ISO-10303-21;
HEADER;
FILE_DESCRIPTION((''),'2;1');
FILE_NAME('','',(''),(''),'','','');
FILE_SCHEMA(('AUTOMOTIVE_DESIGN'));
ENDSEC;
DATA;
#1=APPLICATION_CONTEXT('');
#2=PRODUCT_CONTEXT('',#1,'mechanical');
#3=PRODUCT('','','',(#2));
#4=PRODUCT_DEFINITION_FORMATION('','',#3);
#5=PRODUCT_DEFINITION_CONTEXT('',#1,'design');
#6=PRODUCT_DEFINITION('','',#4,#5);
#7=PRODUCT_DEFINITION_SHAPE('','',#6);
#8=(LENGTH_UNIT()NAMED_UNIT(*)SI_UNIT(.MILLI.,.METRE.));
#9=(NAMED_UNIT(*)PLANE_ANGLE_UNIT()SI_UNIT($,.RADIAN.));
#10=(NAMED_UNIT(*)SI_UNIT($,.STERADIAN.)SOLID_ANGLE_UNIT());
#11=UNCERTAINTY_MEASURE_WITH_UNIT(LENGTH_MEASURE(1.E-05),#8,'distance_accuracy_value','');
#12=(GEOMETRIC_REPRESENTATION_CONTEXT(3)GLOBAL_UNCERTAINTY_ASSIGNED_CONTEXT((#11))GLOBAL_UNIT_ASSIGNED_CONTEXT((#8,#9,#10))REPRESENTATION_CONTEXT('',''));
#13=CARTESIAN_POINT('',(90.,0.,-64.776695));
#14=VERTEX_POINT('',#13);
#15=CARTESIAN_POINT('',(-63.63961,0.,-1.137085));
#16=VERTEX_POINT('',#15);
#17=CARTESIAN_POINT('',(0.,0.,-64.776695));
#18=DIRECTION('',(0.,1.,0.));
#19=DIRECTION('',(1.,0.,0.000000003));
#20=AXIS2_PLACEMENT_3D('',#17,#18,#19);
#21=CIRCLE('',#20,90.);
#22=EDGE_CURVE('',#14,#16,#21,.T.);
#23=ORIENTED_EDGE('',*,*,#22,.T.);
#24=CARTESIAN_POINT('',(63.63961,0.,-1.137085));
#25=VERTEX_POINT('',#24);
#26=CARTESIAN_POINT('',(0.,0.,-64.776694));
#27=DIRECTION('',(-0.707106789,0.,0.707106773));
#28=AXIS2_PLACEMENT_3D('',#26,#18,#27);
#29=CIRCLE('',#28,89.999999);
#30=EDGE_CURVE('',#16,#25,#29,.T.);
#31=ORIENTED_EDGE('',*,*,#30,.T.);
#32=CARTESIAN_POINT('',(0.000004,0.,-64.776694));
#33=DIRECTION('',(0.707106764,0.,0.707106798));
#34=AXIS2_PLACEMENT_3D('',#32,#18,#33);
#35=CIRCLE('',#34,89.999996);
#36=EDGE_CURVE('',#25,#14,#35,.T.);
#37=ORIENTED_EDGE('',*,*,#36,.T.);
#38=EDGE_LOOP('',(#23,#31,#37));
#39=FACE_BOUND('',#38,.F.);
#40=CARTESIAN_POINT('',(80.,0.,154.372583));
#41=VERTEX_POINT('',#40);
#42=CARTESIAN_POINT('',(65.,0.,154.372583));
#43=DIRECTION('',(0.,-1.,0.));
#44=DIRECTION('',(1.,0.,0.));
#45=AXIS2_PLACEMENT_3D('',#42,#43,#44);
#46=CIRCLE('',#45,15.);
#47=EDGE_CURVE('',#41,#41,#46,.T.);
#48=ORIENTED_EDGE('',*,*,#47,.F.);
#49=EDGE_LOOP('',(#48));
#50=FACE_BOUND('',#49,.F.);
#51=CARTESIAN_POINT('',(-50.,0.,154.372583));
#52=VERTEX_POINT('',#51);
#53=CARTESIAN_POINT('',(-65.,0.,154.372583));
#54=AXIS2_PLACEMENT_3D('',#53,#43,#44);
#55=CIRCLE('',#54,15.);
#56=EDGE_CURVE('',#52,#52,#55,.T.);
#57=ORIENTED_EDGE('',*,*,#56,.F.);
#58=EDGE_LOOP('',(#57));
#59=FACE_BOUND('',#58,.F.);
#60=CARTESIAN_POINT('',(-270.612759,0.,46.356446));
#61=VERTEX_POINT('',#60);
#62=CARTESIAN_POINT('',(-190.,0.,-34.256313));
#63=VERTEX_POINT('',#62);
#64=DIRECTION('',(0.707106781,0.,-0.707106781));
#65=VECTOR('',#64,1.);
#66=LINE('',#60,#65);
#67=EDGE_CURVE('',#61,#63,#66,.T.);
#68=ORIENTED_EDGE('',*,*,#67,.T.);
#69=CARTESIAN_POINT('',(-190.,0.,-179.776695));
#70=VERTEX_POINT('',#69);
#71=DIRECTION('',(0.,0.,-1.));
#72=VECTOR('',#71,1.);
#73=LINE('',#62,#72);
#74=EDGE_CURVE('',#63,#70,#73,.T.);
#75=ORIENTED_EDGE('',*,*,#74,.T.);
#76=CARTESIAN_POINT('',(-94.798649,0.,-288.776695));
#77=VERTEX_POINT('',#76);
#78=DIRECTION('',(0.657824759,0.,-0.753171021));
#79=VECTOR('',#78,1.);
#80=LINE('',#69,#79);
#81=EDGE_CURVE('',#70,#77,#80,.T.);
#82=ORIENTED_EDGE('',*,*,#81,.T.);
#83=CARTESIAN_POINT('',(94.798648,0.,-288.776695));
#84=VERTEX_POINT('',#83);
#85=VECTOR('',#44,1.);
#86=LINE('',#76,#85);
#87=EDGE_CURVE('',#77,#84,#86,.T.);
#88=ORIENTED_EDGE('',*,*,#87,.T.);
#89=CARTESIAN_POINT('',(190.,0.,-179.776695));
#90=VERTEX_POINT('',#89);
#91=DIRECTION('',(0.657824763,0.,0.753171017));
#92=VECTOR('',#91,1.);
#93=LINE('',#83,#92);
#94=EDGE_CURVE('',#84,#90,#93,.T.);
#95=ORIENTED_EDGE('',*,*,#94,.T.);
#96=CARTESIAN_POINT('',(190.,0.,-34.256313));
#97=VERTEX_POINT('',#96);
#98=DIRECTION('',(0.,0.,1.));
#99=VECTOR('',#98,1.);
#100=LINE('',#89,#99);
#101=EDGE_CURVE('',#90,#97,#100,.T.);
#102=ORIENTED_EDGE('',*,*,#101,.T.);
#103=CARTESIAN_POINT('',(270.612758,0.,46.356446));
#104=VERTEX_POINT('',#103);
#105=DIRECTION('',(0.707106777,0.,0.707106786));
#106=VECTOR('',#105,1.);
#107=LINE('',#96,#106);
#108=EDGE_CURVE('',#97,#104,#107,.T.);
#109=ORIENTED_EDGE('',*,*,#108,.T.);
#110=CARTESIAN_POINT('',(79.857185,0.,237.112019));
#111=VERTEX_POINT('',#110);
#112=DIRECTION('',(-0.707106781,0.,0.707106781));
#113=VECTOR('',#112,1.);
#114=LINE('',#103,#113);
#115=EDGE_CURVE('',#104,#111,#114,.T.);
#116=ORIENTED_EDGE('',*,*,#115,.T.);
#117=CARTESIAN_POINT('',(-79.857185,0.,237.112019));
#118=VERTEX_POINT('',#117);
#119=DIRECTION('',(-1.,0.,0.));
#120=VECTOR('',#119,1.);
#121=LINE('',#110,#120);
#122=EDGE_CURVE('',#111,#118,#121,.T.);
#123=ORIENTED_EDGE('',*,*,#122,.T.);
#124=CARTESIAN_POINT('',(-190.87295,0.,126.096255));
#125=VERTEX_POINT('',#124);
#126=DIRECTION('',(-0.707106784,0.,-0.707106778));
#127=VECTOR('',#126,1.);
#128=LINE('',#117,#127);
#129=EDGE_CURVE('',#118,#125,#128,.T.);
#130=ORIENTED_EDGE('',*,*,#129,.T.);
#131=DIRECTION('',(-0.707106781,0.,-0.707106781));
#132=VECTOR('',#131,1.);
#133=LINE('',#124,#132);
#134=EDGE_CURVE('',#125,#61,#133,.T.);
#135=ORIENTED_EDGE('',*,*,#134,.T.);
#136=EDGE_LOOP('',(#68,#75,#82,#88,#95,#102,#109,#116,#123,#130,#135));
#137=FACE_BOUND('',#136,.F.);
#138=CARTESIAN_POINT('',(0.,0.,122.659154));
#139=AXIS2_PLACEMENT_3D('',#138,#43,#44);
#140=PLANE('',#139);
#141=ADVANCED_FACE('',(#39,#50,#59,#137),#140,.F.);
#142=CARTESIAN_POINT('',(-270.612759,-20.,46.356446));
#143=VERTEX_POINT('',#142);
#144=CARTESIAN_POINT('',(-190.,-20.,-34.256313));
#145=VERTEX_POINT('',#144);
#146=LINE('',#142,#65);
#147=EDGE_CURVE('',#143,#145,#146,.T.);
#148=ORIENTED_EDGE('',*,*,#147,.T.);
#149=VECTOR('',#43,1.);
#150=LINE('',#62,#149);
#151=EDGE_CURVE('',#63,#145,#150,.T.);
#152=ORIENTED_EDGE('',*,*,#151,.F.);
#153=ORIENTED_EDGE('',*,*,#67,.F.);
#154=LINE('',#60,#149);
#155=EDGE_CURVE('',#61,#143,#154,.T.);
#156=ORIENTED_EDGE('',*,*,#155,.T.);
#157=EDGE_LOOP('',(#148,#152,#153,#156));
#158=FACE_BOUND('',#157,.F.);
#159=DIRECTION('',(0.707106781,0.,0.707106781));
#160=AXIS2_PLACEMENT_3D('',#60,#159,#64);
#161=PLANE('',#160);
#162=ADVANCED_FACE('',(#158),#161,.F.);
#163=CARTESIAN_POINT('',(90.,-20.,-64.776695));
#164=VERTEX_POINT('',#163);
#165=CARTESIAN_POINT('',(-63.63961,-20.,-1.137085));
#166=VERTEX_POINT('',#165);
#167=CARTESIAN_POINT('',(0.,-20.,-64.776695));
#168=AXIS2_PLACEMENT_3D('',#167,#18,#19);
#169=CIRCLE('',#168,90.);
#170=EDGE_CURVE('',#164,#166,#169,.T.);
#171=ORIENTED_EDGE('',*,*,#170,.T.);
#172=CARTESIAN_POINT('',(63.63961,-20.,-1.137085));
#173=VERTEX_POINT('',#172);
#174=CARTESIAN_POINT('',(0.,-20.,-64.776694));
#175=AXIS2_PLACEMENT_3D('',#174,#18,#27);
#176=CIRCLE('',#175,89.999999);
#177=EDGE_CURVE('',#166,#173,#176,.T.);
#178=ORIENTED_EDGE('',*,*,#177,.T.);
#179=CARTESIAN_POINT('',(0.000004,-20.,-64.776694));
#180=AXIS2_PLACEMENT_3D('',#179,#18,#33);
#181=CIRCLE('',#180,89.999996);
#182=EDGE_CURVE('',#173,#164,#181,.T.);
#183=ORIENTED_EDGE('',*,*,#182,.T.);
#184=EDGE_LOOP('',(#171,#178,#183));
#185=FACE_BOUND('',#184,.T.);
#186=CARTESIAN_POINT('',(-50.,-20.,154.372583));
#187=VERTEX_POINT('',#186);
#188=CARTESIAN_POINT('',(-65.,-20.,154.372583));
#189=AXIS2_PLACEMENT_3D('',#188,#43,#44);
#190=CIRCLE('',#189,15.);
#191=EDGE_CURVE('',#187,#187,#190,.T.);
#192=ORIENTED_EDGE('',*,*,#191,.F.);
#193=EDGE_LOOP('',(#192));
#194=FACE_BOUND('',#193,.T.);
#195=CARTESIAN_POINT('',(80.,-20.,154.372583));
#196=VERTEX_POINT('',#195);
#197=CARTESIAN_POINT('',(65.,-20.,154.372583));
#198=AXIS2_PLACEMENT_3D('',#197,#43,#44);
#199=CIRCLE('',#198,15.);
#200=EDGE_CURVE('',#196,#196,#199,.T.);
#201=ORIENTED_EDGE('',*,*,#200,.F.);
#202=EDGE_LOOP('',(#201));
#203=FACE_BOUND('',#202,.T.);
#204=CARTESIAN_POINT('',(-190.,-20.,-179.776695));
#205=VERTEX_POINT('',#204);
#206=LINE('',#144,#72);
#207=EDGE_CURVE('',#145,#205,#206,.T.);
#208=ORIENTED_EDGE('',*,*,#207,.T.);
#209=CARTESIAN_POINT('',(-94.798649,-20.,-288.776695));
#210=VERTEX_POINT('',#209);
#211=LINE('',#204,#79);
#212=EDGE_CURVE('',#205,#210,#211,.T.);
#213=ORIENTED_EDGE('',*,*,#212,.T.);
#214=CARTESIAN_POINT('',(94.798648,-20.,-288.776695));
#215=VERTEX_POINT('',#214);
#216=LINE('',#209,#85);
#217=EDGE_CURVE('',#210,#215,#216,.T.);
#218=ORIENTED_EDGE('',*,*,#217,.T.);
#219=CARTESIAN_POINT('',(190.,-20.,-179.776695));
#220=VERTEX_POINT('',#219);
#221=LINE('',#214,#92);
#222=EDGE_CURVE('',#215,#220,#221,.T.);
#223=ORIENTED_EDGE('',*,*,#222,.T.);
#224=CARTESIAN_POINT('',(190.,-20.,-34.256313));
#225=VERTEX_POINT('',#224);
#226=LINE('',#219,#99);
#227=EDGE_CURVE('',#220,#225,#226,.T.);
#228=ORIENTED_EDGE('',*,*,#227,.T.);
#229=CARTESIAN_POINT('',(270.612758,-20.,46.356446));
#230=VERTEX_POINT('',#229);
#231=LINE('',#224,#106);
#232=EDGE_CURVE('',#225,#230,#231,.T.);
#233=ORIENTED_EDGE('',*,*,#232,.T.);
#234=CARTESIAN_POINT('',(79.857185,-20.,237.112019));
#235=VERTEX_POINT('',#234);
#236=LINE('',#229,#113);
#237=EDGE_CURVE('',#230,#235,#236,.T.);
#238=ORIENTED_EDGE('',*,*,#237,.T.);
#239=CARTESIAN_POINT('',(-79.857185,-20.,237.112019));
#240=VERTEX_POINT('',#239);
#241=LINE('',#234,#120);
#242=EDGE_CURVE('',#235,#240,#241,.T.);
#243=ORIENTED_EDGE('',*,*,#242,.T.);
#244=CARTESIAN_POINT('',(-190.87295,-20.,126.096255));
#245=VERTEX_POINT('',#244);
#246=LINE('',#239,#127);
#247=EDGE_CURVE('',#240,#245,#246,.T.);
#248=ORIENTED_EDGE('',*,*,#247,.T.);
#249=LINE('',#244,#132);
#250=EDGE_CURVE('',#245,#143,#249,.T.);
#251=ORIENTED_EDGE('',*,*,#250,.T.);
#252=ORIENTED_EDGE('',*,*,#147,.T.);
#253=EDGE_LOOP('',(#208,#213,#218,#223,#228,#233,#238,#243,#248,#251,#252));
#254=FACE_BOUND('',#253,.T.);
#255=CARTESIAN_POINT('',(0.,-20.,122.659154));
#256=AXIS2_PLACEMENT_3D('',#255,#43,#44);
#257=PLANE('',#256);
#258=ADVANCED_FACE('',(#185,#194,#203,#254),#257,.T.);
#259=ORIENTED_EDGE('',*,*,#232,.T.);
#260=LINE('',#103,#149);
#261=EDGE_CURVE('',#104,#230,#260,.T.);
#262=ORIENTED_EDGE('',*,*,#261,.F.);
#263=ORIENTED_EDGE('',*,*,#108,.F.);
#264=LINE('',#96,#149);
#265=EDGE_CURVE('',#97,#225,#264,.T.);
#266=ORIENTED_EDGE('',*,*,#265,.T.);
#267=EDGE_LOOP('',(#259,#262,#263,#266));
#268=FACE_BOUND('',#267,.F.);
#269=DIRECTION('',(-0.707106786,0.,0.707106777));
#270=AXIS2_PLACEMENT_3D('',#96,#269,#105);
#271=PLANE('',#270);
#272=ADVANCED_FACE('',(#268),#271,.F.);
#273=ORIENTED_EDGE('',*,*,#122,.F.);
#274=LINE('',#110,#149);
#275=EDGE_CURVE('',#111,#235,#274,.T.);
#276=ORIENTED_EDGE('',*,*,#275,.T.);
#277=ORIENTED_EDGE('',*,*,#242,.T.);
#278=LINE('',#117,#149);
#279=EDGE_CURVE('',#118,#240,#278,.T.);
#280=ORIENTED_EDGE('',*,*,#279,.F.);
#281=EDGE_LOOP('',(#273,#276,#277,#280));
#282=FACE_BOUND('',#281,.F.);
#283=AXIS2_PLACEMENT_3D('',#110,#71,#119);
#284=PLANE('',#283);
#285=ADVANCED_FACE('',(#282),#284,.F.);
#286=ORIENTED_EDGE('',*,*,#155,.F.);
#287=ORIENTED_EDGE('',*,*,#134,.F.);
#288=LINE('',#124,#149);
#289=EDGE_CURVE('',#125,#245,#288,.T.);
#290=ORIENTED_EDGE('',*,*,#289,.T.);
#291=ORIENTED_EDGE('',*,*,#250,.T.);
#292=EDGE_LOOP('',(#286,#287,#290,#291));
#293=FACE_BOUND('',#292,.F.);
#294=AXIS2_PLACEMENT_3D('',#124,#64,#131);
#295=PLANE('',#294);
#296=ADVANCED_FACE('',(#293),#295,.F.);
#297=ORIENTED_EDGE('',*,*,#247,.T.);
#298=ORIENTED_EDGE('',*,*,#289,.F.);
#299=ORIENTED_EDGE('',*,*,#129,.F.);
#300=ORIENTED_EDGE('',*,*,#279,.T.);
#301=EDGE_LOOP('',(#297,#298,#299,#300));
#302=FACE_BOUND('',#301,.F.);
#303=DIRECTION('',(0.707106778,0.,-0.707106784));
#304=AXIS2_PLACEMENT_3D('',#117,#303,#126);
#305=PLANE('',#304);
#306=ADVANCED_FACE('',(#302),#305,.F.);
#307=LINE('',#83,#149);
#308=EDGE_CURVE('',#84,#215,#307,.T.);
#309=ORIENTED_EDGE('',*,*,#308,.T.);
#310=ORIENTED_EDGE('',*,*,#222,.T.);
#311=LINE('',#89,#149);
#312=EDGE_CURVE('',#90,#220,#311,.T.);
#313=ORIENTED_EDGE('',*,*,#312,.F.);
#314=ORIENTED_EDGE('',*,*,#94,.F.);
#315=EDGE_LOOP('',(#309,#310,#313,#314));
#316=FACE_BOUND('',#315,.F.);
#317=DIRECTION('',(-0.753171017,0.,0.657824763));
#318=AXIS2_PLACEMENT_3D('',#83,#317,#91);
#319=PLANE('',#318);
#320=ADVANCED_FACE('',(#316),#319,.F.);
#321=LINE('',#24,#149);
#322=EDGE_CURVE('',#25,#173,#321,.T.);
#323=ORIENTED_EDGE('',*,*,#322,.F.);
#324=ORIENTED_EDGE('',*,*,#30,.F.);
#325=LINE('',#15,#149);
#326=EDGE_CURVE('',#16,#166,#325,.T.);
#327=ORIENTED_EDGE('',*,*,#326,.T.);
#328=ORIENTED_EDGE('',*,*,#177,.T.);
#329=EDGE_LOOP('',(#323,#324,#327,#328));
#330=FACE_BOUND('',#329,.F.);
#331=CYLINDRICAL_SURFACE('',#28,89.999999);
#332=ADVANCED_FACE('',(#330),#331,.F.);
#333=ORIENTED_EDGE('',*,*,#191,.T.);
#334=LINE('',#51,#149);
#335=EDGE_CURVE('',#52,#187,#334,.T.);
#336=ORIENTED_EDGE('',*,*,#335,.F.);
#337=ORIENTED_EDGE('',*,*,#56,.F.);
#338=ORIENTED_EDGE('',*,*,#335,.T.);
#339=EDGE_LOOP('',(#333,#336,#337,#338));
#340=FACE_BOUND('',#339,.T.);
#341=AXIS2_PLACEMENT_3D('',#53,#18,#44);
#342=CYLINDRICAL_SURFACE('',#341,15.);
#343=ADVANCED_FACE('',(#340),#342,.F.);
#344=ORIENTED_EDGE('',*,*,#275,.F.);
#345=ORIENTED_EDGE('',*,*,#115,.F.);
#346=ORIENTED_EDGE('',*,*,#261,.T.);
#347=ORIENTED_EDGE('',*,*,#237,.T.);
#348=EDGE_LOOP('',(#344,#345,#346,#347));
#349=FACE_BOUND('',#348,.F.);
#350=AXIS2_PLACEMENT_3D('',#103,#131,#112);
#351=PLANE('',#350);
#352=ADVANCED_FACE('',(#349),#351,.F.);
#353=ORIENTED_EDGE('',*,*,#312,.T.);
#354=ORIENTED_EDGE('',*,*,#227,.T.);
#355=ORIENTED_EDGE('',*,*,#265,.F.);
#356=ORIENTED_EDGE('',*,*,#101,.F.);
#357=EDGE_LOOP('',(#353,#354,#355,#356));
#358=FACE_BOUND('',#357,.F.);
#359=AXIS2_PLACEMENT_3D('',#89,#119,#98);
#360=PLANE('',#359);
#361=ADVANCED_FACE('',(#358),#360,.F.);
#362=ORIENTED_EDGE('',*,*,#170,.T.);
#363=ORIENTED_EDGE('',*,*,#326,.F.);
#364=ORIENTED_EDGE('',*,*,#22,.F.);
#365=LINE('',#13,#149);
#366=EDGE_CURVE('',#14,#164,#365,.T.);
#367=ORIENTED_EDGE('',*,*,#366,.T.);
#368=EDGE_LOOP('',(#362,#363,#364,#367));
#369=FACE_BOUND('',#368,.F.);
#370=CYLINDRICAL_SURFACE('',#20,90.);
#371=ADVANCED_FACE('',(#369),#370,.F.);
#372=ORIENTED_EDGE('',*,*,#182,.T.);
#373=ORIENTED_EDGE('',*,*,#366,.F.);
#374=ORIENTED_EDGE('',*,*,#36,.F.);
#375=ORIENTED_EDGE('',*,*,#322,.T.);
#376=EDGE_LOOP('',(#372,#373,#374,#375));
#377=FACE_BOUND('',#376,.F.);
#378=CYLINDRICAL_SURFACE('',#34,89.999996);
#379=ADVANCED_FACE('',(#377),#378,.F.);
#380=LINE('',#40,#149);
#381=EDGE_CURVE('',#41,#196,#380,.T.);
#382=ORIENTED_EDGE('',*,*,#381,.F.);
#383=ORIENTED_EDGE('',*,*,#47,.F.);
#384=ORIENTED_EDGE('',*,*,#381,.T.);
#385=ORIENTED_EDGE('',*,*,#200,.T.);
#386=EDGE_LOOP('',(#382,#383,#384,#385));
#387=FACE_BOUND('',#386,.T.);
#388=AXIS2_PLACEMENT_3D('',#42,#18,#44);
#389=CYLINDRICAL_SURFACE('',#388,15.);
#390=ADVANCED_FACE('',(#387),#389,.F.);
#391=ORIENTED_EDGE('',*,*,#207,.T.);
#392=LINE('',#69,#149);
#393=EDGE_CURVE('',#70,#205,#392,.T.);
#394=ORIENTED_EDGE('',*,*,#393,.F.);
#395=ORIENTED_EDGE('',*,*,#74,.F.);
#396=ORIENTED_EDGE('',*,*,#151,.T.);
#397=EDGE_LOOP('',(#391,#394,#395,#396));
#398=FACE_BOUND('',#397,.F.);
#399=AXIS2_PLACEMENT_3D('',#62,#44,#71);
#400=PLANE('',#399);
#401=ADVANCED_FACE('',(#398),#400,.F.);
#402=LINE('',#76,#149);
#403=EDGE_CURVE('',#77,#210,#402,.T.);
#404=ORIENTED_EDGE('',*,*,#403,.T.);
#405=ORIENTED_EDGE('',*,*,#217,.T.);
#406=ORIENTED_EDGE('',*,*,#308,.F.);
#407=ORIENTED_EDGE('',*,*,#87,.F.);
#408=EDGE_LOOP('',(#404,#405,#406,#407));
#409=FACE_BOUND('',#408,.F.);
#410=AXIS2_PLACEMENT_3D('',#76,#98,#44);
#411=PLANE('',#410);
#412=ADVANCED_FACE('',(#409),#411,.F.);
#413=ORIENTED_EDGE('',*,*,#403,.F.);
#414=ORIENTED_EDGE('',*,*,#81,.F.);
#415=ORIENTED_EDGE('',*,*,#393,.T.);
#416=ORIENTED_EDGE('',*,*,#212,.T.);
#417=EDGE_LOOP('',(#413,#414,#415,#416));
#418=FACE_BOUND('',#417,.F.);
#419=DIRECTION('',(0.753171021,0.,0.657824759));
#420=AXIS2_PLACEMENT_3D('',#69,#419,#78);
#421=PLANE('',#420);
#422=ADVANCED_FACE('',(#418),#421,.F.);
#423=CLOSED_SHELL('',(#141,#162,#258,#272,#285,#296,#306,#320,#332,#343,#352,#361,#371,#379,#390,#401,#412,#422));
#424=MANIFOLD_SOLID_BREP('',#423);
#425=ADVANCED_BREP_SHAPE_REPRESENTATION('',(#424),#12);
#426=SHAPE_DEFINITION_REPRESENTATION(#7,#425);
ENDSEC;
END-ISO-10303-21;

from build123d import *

# Parameters (mm, degrees)
F0_R     = 15
F1_DEPTH = 20


with BuildPart() as f1:
    # F0 (on Front) → F1 (new body)
    with BuildSketch(Plane.XZ):
        with BuildLine():
            ThreePointArc((-63.63961, -1.137085), (0, 25.223305), (63.63961, -1.137085))
            Line((63.63961, -1.137085), (190.872949, 126.096255))
            Line((190.872949, 126.096255), (79.857185, 237.112019))
            Line((79.857185, 237.112019), (0, 237.112019))
            Line((0, 237.112019), (-79.857185, 237.112019))
            Line((-79.857185, 237.112019), (-190.87295, 126.096255))
            Line((-190.87295, 126.096255), (-63.63961, -1.137085))
        make_face()
        with Locations((-65, 154.372583)):
            Circle(F0_R, mode=Mode.SUBTRACT)
        with Locations((65, 154.372583)):
            Circle(F0_R, mode=Mode.SUBTRACT)
        with BuildLine():
            Line((190.872949, 126.096255), (63.63961, -1.137085))
            ThreePointArc((63.63961, -1.137085), (83.149158, -30.335186), (90, -64.776695))
            ThreePointArc((90, -64.776695), (-34.441509, -147.925853), (-63.63961, -1.137085))
            Line((-63.63961, -1.137085), (-190.87295, 126.096255))
            Line((-190.87295, 126.096255), (-270.612759, 46.356446))
            Line((-270.612759, 46.356446), (-190, -34.256313))
            Line((-190, -34.256313), (-190, -179.776695))
            Line((-190, -179.776695), (-94.798649, -288.776695))
            Line((-94.798649, -288.776695), (0, -288.776695))
            Line((0, -288.776695), (94.798648, -288.776695))
            Line((94.798648, -288.776695), (190, -179.776695))
            Line((190, -179.776695), (190, -34.256313))
            Line((190, -34.256313), (270.612758, 46.356446))
            Line((270.612758, 46.356446), (190.872949, 126.096255))
        make_face()
    extrude(amount=F1_DEPTH)


solid = f1.part
